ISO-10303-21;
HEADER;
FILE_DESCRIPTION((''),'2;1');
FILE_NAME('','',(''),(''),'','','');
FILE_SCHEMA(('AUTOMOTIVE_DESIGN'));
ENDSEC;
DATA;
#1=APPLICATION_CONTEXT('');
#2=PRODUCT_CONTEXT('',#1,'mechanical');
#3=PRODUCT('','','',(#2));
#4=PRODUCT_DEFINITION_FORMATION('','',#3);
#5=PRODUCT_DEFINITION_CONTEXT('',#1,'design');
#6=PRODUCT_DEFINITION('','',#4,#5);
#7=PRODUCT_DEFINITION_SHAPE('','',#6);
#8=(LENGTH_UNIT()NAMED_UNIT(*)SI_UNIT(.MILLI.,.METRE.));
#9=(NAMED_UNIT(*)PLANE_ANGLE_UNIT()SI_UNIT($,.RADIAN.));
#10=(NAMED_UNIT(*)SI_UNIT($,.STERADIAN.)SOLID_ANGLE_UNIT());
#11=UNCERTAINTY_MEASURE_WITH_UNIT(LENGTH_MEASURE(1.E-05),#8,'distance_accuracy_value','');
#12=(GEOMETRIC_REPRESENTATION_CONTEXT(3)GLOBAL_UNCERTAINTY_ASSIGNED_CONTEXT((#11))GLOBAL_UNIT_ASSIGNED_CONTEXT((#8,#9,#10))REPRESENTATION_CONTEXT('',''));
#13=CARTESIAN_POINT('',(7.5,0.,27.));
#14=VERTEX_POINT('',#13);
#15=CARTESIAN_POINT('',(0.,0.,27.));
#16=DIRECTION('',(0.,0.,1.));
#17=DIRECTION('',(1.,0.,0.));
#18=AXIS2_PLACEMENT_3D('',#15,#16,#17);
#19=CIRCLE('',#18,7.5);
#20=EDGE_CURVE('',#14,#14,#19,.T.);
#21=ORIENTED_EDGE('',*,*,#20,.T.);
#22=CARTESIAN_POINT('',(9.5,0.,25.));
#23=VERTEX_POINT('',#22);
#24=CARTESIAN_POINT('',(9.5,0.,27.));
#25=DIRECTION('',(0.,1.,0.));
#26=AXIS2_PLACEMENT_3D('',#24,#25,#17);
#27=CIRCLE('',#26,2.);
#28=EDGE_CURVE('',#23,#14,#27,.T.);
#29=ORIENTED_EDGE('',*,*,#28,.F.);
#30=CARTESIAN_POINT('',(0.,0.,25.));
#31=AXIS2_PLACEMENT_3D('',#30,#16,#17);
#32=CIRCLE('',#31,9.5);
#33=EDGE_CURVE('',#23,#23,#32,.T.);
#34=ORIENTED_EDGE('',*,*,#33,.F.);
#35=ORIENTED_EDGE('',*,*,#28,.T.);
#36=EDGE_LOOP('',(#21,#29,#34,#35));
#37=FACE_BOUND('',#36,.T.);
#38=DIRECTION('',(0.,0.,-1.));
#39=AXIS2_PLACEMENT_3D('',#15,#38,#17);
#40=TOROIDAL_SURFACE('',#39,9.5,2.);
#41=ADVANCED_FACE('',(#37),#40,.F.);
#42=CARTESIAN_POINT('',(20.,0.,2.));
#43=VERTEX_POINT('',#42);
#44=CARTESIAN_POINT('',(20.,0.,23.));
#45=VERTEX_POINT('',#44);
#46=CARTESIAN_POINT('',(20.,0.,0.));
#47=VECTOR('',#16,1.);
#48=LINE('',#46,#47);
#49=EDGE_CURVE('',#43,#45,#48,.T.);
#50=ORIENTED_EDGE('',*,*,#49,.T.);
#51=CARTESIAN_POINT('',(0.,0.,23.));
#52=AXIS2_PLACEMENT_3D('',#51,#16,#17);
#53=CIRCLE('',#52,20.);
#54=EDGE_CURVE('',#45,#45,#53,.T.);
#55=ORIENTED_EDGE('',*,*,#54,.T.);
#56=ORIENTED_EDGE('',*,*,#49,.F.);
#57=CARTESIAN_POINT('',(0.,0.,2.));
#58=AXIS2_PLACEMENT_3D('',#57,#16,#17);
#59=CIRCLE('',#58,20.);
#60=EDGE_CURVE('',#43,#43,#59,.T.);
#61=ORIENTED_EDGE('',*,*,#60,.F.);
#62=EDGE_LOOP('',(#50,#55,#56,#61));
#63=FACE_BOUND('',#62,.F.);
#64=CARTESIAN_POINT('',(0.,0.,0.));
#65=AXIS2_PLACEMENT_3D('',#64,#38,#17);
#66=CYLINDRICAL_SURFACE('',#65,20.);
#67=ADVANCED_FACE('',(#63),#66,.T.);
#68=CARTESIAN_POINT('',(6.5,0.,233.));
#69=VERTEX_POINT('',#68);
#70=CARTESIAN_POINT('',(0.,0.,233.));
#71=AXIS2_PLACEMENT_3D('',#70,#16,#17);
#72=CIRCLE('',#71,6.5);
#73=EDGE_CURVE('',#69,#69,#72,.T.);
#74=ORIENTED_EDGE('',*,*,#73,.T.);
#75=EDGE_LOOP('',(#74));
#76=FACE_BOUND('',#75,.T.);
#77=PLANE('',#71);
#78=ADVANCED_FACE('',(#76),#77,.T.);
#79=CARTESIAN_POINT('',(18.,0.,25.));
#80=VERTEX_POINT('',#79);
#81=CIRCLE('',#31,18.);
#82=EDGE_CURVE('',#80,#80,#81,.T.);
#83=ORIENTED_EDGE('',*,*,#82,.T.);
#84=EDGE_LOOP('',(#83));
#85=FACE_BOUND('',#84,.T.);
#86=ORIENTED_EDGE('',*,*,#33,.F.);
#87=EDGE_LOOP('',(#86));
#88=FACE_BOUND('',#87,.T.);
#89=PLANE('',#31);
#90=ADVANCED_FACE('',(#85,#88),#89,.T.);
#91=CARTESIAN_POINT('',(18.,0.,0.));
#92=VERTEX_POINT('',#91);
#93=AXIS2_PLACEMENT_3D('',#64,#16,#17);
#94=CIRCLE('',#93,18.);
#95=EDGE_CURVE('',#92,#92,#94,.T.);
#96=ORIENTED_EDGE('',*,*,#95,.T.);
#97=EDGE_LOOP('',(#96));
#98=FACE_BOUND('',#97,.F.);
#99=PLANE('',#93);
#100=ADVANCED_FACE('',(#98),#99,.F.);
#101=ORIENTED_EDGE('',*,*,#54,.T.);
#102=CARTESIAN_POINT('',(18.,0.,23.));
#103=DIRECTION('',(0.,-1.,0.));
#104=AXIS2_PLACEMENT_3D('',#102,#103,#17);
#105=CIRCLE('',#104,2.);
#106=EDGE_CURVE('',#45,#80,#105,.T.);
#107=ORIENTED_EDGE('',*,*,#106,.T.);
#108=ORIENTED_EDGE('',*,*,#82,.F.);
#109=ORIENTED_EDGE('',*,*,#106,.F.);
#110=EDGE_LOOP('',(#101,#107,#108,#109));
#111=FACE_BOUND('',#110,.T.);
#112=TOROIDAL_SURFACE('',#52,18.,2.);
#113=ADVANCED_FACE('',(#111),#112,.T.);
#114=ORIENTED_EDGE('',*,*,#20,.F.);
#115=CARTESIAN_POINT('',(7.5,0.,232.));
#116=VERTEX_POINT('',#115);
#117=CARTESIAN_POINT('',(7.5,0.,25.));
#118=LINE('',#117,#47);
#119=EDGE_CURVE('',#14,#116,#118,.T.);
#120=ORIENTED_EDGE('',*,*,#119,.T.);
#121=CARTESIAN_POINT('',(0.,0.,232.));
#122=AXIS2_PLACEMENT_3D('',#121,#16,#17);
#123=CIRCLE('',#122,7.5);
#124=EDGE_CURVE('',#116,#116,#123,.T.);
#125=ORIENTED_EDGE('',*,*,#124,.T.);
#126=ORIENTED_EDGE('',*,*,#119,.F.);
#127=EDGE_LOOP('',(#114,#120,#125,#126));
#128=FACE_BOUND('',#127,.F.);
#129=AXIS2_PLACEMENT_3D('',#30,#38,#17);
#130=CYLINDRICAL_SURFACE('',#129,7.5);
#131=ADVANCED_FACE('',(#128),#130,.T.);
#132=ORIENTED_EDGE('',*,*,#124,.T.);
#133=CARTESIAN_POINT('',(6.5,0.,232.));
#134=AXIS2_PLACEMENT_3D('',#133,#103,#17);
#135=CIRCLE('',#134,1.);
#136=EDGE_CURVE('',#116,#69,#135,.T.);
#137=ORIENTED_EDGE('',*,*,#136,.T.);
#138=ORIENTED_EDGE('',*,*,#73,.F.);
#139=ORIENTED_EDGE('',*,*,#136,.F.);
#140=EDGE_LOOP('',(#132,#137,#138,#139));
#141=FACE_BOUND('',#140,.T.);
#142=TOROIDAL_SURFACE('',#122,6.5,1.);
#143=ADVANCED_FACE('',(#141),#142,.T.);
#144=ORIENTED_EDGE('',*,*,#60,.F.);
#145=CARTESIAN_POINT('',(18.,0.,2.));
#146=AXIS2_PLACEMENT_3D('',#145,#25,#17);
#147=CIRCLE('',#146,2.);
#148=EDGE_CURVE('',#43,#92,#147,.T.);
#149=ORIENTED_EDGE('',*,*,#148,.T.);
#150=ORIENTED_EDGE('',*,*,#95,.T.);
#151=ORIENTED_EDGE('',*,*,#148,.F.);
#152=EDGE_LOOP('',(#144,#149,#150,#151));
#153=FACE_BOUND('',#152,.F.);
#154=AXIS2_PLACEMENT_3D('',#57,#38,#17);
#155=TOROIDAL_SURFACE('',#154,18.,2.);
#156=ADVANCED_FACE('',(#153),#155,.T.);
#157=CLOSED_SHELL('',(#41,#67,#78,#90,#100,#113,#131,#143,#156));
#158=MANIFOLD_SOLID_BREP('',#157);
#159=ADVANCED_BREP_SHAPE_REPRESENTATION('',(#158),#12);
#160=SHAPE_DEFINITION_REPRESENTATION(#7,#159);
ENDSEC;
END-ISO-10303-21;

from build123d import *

# Parameters (mm, degrees)
F0_R     = 20
F1_DEPTH = 25
F2_R     = 7.5
F3_DEPTH = 208
F4_R     = 2
F5_R     = 1


with BuildPart() as f1:
    # F0 (on Top) → F1 (new body)
    with BuildSketch(Plane.XY):
        Circle(F0_R)
    extrude(amount=F1_DEPTH)

    # F2 (on face) → F3 (join)
    with BuildSketch(Plane.XY.offset(25)):
        Circle(F2_R)
    extrude(amount=F3_DEPTH)

    # F4
    f4_edges = [f1.edges().sort_by_distance(p)[0] for p in [
        (-20, 0, 0),
        (-20, 0, 25),
        (-7.5, 0, 25),
    ]]
    fillet(f4_edges, radius=F4_R)

    # F5
    f5_edges = [f1.edges().sort_by_distance(p)[0] for p in [
        (-7.5, 0, 233),
    ]]
    fillet(f5_edges, radius=F5_R)


solid = f1.part
